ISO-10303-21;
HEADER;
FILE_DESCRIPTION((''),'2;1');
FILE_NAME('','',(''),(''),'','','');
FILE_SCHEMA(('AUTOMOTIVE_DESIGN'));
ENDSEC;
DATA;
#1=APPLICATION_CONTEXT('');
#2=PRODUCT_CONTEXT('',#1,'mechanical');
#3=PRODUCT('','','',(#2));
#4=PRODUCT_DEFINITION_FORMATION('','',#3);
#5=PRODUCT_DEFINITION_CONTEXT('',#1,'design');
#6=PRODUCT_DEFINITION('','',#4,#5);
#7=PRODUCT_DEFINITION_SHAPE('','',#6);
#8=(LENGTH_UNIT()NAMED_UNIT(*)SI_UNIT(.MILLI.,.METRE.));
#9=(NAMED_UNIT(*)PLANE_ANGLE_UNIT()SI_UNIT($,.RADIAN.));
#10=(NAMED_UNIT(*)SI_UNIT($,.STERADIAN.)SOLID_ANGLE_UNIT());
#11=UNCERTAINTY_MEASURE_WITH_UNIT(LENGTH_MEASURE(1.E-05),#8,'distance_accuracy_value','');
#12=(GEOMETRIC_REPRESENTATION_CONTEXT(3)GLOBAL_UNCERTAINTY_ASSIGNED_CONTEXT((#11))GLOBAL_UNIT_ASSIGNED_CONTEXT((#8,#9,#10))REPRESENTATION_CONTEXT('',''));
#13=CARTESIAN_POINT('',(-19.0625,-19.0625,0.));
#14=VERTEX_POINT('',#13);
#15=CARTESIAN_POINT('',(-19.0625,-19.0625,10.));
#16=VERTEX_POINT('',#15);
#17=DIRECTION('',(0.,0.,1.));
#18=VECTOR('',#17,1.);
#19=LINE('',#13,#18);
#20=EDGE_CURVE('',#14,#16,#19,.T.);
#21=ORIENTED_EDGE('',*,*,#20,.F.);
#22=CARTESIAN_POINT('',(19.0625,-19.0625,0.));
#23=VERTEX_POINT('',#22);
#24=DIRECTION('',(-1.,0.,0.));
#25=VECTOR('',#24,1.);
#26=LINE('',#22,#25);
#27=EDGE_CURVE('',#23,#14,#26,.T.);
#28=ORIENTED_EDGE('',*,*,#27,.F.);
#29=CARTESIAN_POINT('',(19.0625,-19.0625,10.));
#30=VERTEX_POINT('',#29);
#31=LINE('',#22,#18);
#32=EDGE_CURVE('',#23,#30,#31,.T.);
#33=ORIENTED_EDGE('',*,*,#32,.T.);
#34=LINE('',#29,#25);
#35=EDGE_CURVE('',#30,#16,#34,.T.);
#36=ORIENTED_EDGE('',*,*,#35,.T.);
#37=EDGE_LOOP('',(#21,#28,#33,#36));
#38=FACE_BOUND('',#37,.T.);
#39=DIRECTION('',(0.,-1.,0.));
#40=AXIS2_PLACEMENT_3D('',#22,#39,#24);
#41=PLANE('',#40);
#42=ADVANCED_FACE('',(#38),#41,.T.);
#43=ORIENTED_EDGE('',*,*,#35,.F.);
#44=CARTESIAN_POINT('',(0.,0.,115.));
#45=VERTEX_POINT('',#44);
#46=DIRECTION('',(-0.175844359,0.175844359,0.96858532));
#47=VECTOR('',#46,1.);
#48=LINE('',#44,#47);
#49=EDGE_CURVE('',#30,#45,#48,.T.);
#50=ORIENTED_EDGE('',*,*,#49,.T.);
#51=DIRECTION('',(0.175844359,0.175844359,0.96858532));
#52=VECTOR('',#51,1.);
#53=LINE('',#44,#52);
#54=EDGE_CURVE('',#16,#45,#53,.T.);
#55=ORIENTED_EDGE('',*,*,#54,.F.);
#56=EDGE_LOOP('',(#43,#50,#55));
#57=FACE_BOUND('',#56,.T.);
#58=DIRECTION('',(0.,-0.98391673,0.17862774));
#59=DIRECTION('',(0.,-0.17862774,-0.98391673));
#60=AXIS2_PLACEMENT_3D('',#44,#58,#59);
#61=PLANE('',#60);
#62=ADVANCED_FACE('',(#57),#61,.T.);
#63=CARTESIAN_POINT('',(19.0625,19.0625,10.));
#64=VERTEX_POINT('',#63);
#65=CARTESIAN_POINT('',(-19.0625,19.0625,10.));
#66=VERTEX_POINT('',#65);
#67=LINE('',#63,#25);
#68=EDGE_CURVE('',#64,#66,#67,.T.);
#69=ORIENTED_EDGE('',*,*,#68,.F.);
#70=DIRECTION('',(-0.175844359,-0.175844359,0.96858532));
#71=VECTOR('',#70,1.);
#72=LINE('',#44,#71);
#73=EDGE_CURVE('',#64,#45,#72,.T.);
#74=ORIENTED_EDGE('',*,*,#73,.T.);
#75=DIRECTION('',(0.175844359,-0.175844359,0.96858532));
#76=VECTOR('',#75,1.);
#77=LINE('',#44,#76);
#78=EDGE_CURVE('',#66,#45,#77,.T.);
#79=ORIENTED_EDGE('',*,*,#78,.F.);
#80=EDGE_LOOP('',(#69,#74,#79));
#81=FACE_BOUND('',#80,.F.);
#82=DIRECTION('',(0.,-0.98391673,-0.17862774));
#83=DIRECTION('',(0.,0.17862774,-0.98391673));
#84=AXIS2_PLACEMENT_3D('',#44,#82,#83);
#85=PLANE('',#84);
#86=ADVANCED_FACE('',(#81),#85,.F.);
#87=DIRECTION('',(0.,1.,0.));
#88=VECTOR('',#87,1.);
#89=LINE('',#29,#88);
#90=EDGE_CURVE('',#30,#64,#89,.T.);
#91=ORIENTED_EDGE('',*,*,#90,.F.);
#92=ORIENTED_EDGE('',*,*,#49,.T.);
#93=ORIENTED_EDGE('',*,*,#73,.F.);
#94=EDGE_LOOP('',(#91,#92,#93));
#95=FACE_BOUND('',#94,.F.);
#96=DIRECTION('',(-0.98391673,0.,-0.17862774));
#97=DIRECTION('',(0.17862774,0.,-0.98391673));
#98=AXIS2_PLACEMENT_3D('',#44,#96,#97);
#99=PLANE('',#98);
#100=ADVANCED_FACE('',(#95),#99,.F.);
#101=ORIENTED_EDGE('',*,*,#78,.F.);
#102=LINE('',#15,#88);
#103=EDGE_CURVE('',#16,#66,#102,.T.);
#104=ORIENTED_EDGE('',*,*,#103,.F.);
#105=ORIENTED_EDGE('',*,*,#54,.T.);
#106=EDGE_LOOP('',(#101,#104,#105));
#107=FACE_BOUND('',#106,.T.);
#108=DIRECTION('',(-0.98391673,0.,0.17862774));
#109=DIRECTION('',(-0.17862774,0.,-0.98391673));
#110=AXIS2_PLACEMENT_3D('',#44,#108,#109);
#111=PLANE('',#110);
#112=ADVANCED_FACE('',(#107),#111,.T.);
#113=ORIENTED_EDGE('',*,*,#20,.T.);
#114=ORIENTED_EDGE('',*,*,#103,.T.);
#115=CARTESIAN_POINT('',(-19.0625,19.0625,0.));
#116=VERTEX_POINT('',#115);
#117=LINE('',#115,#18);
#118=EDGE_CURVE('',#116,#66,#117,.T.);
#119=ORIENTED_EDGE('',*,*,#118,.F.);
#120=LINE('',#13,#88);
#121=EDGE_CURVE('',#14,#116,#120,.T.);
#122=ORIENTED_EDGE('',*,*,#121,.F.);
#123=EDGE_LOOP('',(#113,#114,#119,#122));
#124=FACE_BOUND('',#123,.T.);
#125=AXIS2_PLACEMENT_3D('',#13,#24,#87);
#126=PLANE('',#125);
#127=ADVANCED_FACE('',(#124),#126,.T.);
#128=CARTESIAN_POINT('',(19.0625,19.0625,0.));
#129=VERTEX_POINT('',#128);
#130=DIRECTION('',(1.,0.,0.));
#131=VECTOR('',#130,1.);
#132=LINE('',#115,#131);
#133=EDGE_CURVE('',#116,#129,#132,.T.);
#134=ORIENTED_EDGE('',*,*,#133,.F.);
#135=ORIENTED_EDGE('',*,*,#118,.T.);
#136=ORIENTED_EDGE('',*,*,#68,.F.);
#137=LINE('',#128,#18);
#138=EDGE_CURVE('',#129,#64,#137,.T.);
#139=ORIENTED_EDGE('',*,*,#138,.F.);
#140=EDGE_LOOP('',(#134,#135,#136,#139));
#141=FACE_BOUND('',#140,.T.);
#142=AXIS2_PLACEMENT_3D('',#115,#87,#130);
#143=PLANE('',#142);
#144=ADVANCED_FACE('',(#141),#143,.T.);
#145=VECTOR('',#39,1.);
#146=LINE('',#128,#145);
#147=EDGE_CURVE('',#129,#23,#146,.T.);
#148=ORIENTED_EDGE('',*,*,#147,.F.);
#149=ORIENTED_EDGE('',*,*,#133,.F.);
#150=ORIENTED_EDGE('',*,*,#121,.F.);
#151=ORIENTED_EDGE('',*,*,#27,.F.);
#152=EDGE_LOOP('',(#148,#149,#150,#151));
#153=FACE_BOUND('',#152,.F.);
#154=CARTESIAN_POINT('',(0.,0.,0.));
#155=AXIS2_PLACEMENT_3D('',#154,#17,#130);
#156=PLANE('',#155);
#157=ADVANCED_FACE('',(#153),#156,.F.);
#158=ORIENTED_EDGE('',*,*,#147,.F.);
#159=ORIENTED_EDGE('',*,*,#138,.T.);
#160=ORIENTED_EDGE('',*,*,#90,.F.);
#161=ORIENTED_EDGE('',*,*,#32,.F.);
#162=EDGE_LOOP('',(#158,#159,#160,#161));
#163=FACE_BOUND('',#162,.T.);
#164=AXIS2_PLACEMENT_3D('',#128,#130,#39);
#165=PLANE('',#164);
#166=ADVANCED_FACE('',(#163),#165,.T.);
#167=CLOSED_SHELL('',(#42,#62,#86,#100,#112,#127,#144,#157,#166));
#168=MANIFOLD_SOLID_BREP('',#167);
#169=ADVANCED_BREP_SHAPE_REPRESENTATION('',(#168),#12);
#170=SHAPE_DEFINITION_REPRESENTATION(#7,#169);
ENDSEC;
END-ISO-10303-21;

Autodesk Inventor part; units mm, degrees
ref_plane "YZ Plane" through (0, 0, 0) normal (1, 0, 0) x (0, 1, 0)
ref_plane "XZ Plane" through (0, 0, 0) normal (0, 1, 0) x (-1, 0, 0)
ref_plane "XY Plane" through (0, 0, 0) normal (0, 0, 1) x (1, 0, 0)
sketch "Absorber-Base" plane through (0, 0, 0) normal (0, 0, 1) x (1, 0, 0)
  line L0 (-19.0625, 19.0625) -> (19.0625, 19.0625)
  line L1 (19.0625, 19.0625) -> (19.0625, -19.0625)
  line L2 (19.0625, -19.0625) -> (-19.0625, -19.0625)
  line L3 (-19.0625, -19.0625) -> (-19.0625, 19.0625)
  line L4 (-19.0625, 19.0625) -> (19.0625, -19.0625) construction
  line L5 (19.0625, 19.0625) -> (-19.0625, -19.0625) construction
  point P0 (0, 0)
  dimension "d0" = 38.125
extrude "Gesamtvolumen" add sketch "Absorber-Base" along normal blind 115
sketch "Skizze2" plane through (0, 0, 0) normal (0, 1, 0) x (-1, 0, 0)
  line L0 (-28, 0) -> (28, 0) projected
  line L1 (19.0625, 0) -> (19.0625, 115) projected
  line L2 (-19.0625, 0) -> (-19.0625, 115) projected
  line L3 (19.0625, 0) -> (-19.0625, 0)
  line L4 (-19.0625, 0) -> (-19.0625, 10)
  line L5 (-19.0625, 10) -> (19.0625, 10)
  line L6 (19.0625, 10) -> (19.0625, 0)
  line L7 (-19.0625, 115) -> (19.0625, 115) projected
  line L8 (0, 115) -> (19.0625, 10)
  line L9 (0, 115) -> (-19.0625, 10)
  point P0 (0, 0)
  point P1 (19.0625, 10)
  dimension "d6" = 10
extrude "Cutaway" cut sketch "Skizze2" along normal mid plane 38.125 contours L2 L7 L9 | L8 L7 L1
pattern_circular "Runde Anordnung1" count 2 over 90 about axis through (0, 0, -10) along (0, 0, 1) of "Cutaway"
equation "\"d0\" = Base_Seitenlänge"
equation "\"d1\" = Gesamthöhe"
equation "\"d6\" = Base_Höhe"
equation "\"d7\" = Base_Seitenlänge"
equation "\"Base_Seitenlänge\" = 38.125"
equation "\"Base_Höhe\" = 10"
equation "\"Gesamthöhe\" = 115"
properties part number "HF-Absorber-dummy"
